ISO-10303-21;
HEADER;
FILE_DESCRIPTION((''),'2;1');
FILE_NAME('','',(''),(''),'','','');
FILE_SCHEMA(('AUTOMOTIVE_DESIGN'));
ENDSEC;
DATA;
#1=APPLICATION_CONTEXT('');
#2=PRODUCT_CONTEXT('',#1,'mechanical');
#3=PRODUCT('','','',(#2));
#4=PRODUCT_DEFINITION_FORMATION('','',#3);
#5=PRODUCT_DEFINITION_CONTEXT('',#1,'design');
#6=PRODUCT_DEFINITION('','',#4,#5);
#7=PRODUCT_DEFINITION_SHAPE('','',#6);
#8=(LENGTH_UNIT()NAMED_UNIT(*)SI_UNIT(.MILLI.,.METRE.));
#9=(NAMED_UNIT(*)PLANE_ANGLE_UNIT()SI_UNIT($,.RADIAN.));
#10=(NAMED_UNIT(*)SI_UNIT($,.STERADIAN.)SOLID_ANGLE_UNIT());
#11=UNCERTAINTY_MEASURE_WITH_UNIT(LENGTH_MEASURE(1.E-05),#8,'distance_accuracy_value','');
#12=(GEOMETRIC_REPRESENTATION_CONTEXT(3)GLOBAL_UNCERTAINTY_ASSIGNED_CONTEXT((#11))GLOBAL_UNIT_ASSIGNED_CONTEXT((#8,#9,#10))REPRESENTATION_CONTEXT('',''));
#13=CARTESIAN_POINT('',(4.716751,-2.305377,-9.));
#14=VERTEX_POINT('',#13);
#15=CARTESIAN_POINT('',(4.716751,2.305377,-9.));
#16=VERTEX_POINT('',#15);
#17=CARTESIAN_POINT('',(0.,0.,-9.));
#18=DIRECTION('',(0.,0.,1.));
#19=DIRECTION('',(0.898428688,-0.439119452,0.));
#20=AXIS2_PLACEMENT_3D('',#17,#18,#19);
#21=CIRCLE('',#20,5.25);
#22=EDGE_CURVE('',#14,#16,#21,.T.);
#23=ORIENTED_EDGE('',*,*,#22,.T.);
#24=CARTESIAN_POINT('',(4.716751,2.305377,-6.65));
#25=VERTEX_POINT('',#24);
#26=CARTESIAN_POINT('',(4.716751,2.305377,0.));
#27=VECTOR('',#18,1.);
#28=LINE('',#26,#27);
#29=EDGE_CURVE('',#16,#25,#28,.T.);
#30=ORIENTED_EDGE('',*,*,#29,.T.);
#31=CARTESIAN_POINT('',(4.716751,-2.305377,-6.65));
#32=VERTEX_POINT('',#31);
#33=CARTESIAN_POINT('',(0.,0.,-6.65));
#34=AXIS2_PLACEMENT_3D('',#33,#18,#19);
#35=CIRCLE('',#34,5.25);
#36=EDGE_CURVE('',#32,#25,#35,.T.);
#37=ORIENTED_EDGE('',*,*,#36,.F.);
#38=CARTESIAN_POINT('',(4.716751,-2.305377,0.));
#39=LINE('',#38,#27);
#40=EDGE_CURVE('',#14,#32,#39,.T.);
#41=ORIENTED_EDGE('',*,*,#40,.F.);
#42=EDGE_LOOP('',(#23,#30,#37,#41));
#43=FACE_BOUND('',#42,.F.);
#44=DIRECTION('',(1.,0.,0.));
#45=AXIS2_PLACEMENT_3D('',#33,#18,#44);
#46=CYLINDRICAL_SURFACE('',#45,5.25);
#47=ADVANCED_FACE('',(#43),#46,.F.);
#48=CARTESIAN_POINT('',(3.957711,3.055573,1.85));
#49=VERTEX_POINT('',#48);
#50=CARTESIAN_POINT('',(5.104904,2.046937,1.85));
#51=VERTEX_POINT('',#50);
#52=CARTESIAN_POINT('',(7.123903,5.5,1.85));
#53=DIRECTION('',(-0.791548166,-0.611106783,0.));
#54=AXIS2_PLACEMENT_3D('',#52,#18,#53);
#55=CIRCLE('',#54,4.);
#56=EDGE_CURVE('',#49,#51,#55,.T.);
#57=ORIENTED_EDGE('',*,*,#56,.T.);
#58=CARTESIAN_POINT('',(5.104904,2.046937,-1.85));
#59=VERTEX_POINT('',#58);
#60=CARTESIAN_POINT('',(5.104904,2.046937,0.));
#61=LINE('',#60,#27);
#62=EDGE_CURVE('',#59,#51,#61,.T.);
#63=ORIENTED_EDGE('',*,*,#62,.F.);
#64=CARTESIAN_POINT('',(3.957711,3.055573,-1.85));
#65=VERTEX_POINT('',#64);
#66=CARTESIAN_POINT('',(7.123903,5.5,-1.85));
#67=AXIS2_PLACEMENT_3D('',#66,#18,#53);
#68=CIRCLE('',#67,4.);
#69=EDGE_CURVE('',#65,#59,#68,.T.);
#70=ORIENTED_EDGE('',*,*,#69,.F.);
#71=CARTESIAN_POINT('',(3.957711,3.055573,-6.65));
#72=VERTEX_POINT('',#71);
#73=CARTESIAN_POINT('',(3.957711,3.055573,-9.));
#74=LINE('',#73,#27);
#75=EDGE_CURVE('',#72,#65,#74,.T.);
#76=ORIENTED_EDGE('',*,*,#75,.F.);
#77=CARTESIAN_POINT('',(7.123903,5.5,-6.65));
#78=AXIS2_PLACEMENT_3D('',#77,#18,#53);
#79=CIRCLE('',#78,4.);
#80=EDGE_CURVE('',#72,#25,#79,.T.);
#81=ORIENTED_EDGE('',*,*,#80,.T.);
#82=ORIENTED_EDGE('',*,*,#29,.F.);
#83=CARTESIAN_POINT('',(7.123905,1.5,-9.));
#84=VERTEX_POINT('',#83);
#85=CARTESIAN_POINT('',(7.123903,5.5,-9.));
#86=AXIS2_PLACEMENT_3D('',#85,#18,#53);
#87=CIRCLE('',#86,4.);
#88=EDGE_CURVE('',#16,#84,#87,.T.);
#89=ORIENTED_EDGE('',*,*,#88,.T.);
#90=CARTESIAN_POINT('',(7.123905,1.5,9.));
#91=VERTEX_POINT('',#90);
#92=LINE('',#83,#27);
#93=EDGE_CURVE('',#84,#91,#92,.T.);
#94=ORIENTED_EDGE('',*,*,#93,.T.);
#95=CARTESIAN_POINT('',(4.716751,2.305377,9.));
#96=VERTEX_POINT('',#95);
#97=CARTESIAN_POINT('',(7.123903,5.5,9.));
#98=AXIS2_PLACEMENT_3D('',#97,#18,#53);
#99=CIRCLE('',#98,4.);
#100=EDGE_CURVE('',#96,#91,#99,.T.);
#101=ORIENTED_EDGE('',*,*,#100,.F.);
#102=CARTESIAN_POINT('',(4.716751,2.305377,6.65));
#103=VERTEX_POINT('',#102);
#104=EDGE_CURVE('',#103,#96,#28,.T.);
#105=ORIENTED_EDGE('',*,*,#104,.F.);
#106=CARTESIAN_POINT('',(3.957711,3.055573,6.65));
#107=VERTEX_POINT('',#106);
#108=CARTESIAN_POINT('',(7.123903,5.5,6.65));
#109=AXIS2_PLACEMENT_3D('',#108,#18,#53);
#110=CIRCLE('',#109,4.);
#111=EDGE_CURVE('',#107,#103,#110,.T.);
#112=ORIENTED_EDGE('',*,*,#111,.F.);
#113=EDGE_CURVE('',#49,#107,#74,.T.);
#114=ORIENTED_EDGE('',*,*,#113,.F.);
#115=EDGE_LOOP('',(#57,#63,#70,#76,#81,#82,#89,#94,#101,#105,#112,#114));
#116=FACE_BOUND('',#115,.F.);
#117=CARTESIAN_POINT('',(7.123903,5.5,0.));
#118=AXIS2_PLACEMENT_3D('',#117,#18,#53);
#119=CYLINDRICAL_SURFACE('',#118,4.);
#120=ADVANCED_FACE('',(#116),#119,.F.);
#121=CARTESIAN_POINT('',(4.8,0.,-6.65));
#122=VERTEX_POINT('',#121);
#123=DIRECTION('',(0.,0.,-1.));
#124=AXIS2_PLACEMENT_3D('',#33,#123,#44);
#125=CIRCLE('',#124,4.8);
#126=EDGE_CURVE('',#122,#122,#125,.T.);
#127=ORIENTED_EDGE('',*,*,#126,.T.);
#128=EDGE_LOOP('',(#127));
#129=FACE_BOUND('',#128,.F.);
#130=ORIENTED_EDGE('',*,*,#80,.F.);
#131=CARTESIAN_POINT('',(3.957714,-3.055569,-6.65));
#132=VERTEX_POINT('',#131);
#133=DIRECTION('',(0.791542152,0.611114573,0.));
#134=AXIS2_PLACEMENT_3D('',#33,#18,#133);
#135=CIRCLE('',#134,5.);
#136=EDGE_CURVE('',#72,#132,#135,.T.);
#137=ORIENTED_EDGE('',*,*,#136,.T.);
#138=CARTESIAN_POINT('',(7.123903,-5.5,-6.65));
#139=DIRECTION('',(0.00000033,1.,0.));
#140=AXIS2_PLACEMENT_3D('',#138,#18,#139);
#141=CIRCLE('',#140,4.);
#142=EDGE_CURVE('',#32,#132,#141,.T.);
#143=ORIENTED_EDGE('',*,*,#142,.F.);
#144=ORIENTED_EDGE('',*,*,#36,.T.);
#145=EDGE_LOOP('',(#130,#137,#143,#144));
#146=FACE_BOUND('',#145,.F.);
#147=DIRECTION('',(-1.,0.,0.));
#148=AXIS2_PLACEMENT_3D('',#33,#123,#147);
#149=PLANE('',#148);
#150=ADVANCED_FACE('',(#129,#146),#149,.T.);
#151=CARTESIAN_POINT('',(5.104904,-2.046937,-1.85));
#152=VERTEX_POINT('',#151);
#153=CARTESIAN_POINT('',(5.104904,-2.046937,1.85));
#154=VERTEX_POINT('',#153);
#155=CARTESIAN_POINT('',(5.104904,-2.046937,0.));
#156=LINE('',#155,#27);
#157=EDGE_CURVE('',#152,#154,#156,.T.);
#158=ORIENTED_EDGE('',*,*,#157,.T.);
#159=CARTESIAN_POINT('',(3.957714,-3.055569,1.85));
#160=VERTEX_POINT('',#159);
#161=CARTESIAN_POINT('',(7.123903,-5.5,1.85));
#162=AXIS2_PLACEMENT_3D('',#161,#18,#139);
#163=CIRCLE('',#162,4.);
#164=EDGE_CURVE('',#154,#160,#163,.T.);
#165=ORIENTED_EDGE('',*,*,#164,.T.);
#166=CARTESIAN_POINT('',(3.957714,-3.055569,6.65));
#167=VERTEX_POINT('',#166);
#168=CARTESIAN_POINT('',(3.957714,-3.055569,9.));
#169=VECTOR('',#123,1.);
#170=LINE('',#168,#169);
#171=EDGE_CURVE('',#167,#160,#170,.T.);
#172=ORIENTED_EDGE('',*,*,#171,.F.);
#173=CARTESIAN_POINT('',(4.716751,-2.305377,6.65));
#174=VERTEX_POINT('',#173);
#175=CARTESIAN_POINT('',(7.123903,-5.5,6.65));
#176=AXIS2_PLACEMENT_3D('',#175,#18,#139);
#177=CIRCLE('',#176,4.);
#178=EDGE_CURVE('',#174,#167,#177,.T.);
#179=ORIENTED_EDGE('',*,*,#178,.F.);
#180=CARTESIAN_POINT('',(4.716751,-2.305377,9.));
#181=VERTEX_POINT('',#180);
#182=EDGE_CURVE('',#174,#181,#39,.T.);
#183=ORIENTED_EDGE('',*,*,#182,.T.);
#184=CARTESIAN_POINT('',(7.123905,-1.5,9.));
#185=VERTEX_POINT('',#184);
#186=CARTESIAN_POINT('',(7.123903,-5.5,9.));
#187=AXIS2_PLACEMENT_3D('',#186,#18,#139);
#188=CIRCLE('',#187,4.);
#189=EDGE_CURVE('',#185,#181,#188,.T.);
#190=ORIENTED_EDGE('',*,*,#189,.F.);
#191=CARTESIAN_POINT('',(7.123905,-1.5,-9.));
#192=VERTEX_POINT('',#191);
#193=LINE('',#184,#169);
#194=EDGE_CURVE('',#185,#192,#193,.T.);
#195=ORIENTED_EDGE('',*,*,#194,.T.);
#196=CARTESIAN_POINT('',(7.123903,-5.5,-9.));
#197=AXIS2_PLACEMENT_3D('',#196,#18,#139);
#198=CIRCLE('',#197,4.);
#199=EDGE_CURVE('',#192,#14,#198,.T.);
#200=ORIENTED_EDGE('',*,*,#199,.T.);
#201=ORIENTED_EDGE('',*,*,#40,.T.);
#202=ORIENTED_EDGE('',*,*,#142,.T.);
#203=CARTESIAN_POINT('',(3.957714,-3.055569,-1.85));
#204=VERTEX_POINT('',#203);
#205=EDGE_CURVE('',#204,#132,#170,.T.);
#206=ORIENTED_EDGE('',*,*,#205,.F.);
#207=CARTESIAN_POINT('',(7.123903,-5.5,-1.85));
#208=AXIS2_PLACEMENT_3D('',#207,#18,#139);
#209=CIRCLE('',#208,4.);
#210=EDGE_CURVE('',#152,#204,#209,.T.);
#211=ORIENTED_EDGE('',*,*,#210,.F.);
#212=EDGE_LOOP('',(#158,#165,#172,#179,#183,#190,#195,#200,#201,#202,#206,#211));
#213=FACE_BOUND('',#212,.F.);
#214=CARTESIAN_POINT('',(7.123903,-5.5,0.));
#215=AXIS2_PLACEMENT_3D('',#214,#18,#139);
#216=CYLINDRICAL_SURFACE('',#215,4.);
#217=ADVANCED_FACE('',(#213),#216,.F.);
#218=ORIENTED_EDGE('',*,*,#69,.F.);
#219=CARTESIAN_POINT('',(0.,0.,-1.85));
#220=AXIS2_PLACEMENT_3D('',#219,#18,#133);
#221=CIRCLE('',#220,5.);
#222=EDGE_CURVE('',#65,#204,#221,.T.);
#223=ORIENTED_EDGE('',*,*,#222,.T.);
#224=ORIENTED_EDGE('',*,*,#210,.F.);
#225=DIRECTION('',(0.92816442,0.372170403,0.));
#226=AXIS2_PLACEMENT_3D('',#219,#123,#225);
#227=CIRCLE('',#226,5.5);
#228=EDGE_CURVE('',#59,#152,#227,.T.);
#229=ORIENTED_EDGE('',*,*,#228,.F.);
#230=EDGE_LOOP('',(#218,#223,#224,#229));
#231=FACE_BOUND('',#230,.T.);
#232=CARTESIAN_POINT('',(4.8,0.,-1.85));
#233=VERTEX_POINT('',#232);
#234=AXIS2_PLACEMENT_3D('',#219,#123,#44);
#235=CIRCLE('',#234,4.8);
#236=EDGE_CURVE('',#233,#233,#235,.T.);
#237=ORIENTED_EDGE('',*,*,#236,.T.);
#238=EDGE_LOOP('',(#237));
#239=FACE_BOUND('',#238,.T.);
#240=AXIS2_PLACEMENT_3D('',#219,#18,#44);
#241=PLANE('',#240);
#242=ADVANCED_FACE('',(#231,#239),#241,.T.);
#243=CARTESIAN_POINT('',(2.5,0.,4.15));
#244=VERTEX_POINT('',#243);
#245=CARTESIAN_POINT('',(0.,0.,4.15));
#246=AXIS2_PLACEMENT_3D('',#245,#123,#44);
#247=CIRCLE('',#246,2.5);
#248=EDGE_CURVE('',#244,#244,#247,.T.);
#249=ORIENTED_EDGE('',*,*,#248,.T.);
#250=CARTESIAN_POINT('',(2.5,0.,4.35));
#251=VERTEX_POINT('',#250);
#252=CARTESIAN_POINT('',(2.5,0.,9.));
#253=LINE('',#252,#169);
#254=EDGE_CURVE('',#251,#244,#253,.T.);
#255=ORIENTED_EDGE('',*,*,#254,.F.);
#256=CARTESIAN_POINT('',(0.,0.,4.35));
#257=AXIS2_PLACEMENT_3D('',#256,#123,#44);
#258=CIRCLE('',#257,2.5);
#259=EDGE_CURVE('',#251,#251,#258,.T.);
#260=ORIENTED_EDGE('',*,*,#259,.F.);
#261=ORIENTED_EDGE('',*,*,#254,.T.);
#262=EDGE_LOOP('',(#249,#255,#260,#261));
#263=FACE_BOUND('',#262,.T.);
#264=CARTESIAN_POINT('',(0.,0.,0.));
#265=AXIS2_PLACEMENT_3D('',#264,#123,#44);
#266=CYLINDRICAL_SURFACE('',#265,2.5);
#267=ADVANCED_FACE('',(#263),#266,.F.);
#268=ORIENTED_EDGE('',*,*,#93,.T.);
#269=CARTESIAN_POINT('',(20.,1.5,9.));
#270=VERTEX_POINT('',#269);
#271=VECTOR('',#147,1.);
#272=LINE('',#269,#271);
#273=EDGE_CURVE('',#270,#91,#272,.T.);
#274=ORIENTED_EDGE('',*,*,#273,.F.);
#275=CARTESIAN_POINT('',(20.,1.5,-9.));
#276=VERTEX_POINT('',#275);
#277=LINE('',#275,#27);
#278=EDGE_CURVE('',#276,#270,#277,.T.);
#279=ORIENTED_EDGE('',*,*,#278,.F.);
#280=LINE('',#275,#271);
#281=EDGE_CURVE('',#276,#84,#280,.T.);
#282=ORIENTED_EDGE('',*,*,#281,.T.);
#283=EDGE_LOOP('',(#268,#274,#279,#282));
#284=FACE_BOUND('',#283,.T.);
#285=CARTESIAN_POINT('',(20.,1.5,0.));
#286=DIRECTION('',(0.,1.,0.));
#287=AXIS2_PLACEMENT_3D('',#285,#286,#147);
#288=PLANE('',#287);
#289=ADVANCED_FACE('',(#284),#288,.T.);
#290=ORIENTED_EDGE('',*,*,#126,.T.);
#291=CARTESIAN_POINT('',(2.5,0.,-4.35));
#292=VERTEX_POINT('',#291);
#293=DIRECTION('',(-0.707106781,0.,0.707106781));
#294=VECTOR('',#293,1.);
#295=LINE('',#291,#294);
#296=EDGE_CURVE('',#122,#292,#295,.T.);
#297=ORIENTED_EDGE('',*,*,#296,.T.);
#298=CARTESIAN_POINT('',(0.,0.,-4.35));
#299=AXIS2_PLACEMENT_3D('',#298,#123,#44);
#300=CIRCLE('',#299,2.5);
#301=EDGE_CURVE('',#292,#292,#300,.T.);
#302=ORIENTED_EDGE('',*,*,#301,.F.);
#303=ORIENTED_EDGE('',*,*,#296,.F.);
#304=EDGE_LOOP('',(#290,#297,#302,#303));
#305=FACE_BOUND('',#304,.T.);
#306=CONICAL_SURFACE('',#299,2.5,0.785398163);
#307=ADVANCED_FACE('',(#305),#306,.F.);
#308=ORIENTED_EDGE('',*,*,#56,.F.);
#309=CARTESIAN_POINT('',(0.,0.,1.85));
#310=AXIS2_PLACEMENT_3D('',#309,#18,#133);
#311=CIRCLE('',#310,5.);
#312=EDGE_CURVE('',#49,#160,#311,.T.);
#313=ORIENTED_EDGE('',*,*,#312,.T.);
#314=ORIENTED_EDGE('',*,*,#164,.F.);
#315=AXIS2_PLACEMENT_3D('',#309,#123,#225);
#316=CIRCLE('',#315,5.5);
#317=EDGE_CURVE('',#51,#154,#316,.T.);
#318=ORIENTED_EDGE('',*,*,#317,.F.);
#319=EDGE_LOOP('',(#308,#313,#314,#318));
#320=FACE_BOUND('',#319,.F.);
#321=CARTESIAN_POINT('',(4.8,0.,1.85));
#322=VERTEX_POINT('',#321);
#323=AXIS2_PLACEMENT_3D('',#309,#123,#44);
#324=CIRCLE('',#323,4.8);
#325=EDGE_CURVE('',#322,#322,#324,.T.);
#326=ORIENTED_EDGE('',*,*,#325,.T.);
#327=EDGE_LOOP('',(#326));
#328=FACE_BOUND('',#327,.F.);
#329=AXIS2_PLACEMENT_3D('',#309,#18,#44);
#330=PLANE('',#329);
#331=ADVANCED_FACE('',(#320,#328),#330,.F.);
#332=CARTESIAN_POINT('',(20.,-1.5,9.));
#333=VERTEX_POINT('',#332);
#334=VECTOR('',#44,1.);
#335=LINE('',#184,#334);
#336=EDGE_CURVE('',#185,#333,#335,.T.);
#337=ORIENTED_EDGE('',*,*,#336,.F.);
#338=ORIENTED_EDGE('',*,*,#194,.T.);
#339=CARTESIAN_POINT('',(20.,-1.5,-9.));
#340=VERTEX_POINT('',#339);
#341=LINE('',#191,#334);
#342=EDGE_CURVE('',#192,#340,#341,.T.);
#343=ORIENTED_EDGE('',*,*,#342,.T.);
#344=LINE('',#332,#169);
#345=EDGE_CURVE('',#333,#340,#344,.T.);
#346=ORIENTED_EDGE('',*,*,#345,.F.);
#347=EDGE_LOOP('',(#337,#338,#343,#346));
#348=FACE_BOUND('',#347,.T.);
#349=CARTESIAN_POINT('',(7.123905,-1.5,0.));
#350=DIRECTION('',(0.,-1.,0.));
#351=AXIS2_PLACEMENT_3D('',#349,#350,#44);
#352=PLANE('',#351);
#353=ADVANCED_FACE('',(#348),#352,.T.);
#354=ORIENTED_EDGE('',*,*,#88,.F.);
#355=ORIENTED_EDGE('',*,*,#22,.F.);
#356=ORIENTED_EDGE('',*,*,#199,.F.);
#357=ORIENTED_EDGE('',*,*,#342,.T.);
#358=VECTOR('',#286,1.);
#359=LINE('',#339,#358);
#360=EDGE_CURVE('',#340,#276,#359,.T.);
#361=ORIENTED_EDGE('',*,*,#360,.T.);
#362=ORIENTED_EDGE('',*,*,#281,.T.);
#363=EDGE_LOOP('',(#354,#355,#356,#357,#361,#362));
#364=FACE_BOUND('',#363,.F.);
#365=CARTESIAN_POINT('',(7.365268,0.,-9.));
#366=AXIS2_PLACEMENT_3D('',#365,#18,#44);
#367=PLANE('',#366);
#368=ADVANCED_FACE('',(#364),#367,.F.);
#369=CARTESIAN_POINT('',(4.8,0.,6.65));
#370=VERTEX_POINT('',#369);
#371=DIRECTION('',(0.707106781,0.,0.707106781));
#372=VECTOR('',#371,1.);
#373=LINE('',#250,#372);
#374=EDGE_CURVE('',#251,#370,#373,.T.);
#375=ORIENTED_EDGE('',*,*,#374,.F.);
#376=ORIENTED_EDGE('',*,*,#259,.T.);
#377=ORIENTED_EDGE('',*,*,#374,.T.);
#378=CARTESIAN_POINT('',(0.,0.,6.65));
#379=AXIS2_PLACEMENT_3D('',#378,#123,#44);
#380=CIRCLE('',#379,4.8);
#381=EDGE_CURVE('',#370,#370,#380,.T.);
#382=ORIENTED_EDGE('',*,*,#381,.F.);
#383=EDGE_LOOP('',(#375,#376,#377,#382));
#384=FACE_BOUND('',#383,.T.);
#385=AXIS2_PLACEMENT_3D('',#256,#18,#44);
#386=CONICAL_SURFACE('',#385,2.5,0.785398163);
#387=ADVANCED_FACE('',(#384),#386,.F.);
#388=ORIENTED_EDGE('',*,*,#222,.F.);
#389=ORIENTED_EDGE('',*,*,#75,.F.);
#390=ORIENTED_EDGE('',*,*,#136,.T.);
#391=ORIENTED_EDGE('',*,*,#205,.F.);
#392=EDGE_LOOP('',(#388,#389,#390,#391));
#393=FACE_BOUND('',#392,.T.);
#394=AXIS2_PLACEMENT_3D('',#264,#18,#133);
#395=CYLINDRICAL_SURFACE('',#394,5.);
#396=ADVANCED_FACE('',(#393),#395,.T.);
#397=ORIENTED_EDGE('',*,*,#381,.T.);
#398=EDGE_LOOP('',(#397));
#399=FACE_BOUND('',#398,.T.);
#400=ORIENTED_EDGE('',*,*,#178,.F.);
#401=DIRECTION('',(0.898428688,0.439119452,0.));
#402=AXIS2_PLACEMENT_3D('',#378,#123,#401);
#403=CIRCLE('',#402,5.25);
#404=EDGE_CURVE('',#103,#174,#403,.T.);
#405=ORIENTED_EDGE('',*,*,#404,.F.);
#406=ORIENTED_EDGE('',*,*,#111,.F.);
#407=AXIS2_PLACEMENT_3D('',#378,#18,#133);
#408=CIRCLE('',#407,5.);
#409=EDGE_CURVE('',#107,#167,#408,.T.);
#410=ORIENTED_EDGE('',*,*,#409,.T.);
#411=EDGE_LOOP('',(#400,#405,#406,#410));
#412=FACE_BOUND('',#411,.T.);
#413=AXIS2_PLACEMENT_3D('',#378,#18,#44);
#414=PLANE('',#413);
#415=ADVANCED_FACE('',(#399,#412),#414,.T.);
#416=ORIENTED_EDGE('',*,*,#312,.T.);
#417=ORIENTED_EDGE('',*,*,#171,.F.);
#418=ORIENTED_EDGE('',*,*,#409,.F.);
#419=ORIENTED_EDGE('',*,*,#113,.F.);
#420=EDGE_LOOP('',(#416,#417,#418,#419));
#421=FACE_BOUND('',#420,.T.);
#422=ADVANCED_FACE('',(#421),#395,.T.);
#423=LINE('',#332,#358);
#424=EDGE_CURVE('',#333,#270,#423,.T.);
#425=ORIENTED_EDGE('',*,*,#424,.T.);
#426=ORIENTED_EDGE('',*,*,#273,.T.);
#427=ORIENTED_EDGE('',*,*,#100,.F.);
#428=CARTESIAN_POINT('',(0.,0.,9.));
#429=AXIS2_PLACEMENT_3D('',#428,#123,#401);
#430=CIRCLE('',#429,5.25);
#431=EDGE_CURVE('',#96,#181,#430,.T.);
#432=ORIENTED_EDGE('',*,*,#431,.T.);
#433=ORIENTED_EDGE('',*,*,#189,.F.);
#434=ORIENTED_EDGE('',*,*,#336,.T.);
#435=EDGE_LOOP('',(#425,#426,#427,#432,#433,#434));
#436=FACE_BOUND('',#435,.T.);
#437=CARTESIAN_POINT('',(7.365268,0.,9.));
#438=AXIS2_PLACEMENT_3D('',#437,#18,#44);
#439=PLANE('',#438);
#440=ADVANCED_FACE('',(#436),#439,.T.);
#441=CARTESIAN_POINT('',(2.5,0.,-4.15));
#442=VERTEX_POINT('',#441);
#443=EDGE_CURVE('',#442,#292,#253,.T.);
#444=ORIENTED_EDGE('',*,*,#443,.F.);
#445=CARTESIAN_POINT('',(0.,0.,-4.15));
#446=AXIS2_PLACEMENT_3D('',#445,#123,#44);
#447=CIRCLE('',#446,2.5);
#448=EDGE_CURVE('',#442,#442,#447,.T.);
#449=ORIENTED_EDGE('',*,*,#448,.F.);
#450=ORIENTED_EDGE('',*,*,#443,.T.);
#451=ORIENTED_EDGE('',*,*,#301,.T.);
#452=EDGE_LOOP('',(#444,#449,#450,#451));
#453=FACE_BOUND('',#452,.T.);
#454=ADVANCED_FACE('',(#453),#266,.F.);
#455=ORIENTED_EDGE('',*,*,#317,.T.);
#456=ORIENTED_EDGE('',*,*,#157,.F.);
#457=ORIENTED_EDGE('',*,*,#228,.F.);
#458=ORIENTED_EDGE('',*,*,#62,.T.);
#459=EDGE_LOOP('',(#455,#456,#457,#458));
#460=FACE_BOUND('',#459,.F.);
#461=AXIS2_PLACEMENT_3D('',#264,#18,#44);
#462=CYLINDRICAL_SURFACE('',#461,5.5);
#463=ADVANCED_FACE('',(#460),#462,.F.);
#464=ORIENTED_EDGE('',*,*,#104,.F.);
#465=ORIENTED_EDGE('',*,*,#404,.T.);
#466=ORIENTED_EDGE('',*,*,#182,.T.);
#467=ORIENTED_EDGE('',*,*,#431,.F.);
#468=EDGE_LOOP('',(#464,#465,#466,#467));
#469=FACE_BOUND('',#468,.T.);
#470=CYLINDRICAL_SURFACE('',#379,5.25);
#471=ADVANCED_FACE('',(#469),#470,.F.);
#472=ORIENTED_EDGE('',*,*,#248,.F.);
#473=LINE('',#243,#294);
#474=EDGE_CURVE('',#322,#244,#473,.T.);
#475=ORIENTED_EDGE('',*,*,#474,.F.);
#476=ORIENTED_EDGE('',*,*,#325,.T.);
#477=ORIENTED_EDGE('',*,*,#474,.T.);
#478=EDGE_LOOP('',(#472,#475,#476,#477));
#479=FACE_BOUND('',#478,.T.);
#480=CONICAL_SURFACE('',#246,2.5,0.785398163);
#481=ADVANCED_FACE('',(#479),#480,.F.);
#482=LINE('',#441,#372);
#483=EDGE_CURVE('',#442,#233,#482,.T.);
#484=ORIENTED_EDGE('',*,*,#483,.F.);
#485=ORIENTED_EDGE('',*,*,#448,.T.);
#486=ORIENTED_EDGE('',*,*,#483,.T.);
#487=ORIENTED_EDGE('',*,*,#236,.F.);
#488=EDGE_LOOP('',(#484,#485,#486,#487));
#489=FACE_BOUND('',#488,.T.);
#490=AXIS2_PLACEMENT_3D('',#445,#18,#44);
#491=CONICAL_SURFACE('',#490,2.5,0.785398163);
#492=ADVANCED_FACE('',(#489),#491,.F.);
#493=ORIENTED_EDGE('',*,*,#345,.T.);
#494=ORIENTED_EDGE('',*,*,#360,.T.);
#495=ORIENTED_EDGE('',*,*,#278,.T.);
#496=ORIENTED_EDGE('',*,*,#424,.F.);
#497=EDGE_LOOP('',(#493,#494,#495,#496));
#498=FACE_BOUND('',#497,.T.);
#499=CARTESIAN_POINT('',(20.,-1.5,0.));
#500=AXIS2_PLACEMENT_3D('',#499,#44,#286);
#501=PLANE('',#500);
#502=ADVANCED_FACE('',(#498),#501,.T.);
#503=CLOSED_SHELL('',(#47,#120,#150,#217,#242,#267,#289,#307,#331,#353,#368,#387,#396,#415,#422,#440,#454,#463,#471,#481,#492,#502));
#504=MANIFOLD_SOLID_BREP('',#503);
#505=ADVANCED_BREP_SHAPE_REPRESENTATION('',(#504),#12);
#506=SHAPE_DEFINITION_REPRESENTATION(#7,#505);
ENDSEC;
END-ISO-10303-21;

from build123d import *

# Parameters (mm, degrees)
SKETCH006_R     = 2.5
PAD002_DEPTH    = 9
SKETCH007_R     = 5.5
POCKET001_DEPTH = 1.85
SKETCH008_R     = 5.25
POCKET002_DEPTH = 67.1275389628
CHAMFER001_SIZE = 2.3


with BuildPart() as part:
    # Sketch006 → Pad002 (new body, symmetric)
    with BuildSketch(Plane.XY):
        with BuildLine():
            Line((20, -1.5), (20, 1.5))
            Line((20, 1.5), (7.1239047452, 1.5))
            ThreePointArc((3.9577107596, 3.0555728668), (5.3600599952, 1.9098946593), (7.1239047452, 1.5))
            ThreePointArc((3.9577107595, 3.0555728668), (-5, -2.4792e-06), (3.9577137897, -3.055568942))
            ThreePointArc((7.1239047446, -1.5), (5.3600622201, -1.9098935662), (3.9577137897, -3.055568942))
            Line((7.1239047446, -1.5), (20, -1.5))
        make_face()
        Circle(SKETCH006_R, mode=Mode.SUBTRACT)
    extrude(amount=PAD002_DEPTH, both=True)

    # Sketch007 → Pocket001 (cut, symmetric)
    with BuildSketch(Plane.XY):
        Circle(SKETCH007_R)
    extrude(amount=POCKET001_DEPTH, both=True, mode=Mode.SUBTRACT)

    # Sketch008 → Pocket002 (cut, through all)
    with BuildSketch(Plane.XY.offset(6.65)):
        Circle(SKETCH008_R)
    pocket002 = extrude(amount=POCKET002_DEPTH, mode=Mode.SUBTRACT)

    # Mirrored001: Pocket002 across XY
    add(pocket002.mirror(Plane.XY), mode=Mode.SUBTRACT)

    # Chamfer001
    chamfer001_edges = [part.edges().sort_by_distance(p)[0] for p in [
        (-2.5, 0, -6.65),
        (-2.5, 0, -1.85),
        (-2.5, 0, 6.65),
        (-2.5, 0, 1.85),
    ]]
    chamfer(chamfer001_edges, length=CHAMFER001_SIZE)


solid = part.part
